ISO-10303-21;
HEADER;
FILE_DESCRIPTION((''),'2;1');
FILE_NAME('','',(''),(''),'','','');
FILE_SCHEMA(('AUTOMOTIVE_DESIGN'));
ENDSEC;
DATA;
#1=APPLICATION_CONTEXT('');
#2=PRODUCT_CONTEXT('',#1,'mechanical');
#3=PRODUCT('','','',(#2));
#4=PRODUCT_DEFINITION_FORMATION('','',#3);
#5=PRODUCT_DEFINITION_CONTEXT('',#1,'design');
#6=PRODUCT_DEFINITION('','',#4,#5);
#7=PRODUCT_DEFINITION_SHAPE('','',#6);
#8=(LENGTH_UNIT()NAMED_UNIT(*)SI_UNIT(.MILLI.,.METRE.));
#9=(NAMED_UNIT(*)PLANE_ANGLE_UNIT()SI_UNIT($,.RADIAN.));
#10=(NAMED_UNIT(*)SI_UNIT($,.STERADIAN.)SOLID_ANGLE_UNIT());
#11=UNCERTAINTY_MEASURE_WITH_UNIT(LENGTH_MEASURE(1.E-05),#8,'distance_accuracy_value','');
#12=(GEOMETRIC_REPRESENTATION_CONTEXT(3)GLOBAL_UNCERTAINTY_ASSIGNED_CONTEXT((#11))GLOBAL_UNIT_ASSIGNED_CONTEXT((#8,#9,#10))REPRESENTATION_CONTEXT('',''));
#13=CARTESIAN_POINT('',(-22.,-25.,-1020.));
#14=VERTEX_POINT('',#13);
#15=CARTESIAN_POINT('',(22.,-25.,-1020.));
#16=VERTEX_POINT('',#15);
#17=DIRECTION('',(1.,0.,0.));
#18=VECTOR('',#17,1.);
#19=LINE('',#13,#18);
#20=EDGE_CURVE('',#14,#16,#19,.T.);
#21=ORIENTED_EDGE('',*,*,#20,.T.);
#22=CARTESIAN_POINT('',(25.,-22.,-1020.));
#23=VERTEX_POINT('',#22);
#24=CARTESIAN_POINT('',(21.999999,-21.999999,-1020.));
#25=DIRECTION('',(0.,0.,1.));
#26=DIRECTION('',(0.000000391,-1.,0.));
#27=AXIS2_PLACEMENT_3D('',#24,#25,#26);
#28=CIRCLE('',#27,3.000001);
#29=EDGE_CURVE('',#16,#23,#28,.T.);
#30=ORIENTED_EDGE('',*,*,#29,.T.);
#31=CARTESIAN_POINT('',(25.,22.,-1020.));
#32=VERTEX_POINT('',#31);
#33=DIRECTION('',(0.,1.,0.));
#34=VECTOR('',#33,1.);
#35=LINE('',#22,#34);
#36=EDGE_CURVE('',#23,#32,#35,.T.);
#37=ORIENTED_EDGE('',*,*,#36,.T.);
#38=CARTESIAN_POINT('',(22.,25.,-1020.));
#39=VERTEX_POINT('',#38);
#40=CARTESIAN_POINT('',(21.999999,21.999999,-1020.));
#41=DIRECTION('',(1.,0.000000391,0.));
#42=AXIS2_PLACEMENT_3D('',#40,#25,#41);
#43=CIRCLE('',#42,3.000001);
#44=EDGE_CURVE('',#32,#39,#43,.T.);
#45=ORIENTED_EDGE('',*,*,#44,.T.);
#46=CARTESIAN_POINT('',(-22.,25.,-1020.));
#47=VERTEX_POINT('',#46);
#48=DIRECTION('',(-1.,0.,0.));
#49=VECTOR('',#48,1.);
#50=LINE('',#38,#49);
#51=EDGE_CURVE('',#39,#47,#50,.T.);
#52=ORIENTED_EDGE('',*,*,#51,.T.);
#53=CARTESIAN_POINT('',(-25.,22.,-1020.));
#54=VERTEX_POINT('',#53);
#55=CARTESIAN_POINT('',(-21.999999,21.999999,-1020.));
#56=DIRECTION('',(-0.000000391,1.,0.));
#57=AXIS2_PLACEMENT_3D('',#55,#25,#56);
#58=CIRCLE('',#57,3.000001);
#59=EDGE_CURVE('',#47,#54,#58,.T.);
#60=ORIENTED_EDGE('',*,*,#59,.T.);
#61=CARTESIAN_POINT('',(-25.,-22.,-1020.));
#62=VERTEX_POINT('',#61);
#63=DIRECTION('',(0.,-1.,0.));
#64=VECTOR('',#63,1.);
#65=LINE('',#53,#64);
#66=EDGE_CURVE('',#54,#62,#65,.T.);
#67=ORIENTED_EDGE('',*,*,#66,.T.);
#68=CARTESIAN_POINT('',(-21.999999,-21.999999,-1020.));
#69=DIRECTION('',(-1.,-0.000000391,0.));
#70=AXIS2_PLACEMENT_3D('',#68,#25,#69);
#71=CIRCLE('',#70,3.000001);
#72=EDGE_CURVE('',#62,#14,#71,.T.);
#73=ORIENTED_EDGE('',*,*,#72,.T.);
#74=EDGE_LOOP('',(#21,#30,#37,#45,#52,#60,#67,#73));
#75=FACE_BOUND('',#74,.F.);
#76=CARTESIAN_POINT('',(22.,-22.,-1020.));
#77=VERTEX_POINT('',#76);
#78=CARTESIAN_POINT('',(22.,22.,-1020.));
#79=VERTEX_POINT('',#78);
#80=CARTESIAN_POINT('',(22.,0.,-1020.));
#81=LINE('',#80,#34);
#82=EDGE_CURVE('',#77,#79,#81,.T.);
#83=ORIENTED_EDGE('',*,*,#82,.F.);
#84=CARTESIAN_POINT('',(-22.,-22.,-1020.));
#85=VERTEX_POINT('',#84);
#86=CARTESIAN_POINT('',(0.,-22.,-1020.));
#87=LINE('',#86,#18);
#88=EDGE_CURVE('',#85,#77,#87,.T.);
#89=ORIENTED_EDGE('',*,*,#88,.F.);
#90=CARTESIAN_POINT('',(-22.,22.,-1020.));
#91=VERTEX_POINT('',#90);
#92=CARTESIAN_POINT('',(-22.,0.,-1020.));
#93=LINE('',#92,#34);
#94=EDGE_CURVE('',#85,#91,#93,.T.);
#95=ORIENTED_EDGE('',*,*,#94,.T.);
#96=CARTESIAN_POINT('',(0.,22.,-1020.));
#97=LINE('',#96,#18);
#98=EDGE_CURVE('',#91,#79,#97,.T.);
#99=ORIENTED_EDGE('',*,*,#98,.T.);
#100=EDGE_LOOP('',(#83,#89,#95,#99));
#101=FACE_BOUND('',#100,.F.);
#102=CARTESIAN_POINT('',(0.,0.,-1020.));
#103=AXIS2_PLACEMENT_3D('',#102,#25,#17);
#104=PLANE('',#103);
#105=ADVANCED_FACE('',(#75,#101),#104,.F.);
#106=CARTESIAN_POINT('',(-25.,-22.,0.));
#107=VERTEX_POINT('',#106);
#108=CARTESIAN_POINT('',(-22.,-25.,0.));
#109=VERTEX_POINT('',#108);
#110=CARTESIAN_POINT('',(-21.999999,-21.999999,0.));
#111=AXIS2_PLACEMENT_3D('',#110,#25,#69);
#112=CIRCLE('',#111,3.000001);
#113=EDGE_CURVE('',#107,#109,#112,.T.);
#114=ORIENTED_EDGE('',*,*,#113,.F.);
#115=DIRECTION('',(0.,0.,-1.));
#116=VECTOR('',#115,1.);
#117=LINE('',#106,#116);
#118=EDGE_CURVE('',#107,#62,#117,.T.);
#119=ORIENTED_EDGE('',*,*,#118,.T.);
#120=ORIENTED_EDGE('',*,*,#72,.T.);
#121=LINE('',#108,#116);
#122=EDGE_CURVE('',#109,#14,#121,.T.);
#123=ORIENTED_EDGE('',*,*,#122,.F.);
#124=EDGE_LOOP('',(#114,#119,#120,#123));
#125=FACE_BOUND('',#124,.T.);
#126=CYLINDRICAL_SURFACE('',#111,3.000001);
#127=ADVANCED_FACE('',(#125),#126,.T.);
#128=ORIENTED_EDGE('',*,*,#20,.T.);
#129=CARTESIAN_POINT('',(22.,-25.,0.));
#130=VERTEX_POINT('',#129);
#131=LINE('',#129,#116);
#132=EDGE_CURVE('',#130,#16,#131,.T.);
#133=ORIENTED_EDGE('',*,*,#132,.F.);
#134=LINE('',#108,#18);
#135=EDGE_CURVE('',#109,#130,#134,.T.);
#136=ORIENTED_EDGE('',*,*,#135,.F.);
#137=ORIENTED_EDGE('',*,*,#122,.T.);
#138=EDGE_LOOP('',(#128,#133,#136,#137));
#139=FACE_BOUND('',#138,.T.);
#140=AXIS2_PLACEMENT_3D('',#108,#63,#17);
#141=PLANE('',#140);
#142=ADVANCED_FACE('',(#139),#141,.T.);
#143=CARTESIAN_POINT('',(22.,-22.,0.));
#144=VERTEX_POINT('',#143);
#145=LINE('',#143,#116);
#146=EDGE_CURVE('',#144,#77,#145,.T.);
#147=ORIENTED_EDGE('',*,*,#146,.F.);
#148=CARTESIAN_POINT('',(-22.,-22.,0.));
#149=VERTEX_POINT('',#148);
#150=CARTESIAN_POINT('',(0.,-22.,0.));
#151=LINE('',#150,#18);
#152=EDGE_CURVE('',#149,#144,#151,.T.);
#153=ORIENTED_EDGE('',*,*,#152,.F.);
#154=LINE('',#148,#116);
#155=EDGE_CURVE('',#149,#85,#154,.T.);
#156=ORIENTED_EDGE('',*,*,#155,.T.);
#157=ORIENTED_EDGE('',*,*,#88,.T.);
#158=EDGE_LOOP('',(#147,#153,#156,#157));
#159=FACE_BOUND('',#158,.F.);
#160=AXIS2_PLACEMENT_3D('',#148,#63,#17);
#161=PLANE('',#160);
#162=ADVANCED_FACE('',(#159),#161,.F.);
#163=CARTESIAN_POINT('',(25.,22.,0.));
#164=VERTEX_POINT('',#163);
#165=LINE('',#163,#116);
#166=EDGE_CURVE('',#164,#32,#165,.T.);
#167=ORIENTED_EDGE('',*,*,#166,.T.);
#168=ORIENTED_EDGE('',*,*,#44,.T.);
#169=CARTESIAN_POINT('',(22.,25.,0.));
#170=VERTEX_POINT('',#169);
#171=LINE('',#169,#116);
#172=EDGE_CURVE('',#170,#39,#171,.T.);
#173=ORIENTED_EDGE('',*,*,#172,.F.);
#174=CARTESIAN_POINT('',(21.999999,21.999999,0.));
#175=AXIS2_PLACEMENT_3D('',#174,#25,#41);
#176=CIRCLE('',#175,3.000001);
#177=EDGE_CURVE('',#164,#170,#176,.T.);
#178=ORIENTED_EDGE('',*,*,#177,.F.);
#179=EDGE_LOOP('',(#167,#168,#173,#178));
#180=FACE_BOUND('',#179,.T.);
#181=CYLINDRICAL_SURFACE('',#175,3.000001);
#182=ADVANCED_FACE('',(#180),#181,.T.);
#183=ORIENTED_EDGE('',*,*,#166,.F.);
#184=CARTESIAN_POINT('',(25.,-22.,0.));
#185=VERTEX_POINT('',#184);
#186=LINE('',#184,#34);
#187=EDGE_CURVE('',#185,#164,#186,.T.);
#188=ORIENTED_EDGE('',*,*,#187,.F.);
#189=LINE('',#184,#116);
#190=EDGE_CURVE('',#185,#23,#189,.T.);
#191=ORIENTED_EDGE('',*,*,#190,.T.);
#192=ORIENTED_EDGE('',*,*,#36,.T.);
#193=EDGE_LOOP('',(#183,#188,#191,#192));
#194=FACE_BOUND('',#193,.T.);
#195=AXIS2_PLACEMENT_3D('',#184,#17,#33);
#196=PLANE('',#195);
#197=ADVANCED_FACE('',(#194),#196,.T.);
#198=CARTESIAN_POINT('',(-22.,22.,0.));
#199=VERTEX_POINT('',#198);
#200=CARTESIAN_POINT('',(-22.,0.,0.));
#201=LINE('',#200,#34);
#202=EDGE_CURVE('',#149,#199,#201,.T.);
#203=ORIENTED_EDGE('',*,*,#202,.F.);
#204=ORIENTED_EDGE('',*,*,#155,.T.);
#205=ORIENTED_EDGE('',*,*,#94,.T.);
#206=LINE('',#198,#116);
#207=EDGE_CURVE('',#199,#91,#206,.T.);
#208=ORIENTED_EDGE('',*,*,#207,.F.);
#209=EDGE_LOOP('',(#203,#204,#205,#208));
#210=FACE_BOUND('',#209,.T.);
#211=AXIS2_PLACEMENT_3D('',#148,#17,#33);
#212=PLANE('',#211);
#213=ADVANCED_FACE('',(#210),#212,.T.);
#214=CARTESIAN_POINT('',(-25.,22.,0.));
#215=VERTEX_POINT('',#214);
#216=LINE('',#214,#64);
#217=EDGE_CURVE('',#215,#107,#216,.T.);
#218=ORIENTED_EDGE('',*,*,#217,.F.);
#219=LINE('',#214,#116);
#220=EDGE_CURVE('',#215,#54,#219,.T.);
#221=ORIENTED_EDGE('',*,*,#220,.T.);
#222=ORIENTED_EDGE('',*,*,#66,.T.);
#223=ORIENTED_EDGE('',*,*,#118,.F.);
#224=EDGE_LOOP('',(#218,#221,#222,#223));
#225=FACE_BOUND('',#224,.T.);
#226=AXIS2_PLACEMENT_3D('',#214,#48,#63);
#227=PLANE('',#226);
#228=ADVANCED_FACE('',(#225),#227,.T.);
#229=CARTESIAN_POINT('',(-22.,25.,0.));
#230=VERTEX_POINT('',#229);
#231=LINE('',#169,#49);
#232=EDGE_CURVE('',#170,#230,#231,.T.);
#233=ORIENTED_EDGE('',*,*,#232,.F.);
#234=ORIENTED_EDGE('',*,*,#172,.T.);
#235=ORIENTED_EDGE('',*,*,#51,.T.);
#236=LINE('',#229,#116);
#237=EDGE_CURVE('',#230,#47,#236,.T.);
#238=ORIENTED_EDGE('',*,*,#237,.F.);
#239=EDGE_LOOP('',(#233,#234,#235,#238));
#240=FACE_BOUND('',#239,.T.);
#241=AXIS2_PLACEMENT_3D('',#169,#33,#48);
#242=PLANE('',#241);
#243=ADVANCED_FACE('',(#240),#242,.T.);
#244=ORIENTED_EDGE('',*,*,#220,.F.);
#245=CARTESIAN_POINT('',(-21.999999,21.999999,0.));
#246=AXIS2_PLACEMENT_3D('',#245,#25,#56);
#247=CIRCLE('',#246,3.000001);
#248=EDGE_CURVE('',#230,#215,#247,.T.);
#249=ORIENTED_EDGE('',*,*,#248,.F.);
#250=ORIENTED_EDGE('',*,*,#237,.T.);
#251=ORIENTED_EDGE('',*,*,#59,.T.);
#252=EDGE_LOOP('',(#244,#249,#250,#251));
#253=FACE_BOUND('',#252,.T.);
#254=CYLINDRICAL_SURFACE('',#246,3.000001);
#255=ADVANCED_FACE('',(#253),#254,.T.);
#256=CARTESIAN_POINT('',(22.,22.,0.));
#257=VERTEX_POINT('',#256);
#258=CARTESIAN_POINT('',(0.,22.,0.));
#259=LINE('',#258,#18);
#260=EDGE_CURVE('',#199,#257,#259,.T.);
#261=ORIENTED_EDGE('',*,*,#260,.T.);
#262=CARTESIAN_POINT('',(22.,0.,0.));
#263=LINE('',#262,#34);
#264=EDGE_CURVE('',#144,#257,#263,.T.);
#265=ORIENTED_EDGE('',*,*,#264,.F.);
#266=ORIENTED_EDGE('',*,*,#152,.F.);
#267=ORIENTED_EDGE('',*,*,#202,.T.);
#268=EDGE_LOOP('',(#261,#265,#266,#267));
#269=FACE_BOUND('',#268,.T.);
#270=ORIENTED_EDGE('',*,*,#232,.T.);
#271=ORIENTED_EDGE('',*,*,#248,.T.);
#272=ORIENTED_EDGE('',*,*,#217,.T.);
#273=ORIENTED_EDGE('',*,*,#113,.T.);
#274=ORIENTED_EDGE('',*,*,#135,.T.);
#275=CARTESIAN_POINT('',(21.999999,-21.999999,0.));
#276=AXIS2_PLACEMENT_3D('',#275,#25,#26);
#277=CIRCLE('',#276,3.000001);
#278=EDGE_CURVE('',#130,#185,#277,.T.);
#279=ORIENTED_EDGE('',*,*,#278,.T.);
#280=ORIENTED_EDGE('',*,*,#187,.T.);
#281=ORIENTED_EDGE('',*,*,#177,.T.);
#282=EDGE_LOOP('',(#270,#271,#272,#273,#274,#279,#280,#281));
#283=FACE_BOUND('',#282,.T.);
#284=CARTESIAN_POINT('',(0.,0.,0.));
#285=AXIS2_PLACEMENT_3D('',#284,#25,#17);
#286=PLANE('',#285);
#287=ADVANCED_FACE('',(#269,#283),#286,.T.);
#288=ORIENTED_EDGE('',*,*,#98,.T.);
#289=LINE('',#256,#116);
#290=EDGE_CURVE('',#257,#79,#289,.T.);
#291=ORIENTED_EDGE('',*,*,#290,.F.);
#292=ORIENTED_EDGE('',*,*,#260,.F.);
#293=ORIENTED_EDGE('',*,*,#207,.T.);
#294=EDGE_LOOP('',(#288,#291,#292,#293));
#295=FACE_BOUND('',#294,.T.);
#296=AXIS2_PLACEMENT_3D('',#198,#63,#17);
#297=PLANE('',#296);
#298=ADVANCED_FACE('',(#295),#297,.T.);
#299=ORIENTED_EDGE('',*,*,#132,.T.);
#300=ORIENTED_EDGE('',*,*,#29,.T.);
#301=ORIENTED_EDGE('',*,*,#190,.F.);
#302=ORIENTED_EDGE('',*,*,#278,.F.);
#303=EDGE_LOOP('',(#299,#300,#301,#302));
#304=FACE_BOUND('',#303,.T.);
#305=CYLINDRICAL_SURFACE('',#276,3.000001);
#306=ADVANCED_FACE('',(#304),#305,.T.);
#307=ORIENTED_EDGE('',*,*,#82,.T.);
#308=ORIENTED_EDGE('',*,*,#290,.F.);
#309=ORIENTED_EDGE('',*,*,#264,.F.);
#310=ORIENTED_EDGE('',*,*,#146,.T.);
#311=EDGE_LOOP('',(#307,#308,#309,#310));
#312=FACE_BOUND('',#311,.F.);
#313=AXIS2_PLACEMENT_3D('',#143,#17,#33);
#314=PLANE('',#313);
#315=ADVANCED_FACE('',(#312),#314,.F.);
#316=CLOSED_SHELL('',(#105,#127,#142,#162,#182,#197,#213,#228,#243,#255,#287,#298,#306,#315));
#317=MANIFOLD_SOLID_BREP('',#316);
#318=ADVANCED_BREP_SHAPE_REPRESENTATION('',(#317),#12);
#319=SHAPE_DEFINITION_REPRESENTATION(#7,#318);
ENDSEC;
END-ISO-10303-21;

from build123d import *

# Parameters (mm, degrees)
F0_W     = 44
F0_H     = 44
F1_DEPTH = 1020


with BuildPart() as f1:
    # F0 (on Top) → F1 (new body)
    with BuildSketch(Plane.XY):
        with BuildLine():
            ThreePointArc((25, 22), (24.12132, 24.12132), (22, 25))
            Line((22, 25), (-22, 25))
            ThreePointArc((-22, 25), (-24.12132, 24.12132), (-25, 22))
            Line((-25, 22), (-25, -22))
            ThreePointArc((-25, -22), (-24.12132, -24.12132), (-22, -25))
            Line((-22, -25), (22, -25))
            ThreePointArc((22, -25), (24.12132, -24.12132), (25, -22))
            Line((25, -22), (25, 22))
        make_face()
        Rectangle(F0_W, F0_H, mode=Mode.SUBTRACT)
    extrude(amount=-F1_DEPTH)


solid = f1.part
